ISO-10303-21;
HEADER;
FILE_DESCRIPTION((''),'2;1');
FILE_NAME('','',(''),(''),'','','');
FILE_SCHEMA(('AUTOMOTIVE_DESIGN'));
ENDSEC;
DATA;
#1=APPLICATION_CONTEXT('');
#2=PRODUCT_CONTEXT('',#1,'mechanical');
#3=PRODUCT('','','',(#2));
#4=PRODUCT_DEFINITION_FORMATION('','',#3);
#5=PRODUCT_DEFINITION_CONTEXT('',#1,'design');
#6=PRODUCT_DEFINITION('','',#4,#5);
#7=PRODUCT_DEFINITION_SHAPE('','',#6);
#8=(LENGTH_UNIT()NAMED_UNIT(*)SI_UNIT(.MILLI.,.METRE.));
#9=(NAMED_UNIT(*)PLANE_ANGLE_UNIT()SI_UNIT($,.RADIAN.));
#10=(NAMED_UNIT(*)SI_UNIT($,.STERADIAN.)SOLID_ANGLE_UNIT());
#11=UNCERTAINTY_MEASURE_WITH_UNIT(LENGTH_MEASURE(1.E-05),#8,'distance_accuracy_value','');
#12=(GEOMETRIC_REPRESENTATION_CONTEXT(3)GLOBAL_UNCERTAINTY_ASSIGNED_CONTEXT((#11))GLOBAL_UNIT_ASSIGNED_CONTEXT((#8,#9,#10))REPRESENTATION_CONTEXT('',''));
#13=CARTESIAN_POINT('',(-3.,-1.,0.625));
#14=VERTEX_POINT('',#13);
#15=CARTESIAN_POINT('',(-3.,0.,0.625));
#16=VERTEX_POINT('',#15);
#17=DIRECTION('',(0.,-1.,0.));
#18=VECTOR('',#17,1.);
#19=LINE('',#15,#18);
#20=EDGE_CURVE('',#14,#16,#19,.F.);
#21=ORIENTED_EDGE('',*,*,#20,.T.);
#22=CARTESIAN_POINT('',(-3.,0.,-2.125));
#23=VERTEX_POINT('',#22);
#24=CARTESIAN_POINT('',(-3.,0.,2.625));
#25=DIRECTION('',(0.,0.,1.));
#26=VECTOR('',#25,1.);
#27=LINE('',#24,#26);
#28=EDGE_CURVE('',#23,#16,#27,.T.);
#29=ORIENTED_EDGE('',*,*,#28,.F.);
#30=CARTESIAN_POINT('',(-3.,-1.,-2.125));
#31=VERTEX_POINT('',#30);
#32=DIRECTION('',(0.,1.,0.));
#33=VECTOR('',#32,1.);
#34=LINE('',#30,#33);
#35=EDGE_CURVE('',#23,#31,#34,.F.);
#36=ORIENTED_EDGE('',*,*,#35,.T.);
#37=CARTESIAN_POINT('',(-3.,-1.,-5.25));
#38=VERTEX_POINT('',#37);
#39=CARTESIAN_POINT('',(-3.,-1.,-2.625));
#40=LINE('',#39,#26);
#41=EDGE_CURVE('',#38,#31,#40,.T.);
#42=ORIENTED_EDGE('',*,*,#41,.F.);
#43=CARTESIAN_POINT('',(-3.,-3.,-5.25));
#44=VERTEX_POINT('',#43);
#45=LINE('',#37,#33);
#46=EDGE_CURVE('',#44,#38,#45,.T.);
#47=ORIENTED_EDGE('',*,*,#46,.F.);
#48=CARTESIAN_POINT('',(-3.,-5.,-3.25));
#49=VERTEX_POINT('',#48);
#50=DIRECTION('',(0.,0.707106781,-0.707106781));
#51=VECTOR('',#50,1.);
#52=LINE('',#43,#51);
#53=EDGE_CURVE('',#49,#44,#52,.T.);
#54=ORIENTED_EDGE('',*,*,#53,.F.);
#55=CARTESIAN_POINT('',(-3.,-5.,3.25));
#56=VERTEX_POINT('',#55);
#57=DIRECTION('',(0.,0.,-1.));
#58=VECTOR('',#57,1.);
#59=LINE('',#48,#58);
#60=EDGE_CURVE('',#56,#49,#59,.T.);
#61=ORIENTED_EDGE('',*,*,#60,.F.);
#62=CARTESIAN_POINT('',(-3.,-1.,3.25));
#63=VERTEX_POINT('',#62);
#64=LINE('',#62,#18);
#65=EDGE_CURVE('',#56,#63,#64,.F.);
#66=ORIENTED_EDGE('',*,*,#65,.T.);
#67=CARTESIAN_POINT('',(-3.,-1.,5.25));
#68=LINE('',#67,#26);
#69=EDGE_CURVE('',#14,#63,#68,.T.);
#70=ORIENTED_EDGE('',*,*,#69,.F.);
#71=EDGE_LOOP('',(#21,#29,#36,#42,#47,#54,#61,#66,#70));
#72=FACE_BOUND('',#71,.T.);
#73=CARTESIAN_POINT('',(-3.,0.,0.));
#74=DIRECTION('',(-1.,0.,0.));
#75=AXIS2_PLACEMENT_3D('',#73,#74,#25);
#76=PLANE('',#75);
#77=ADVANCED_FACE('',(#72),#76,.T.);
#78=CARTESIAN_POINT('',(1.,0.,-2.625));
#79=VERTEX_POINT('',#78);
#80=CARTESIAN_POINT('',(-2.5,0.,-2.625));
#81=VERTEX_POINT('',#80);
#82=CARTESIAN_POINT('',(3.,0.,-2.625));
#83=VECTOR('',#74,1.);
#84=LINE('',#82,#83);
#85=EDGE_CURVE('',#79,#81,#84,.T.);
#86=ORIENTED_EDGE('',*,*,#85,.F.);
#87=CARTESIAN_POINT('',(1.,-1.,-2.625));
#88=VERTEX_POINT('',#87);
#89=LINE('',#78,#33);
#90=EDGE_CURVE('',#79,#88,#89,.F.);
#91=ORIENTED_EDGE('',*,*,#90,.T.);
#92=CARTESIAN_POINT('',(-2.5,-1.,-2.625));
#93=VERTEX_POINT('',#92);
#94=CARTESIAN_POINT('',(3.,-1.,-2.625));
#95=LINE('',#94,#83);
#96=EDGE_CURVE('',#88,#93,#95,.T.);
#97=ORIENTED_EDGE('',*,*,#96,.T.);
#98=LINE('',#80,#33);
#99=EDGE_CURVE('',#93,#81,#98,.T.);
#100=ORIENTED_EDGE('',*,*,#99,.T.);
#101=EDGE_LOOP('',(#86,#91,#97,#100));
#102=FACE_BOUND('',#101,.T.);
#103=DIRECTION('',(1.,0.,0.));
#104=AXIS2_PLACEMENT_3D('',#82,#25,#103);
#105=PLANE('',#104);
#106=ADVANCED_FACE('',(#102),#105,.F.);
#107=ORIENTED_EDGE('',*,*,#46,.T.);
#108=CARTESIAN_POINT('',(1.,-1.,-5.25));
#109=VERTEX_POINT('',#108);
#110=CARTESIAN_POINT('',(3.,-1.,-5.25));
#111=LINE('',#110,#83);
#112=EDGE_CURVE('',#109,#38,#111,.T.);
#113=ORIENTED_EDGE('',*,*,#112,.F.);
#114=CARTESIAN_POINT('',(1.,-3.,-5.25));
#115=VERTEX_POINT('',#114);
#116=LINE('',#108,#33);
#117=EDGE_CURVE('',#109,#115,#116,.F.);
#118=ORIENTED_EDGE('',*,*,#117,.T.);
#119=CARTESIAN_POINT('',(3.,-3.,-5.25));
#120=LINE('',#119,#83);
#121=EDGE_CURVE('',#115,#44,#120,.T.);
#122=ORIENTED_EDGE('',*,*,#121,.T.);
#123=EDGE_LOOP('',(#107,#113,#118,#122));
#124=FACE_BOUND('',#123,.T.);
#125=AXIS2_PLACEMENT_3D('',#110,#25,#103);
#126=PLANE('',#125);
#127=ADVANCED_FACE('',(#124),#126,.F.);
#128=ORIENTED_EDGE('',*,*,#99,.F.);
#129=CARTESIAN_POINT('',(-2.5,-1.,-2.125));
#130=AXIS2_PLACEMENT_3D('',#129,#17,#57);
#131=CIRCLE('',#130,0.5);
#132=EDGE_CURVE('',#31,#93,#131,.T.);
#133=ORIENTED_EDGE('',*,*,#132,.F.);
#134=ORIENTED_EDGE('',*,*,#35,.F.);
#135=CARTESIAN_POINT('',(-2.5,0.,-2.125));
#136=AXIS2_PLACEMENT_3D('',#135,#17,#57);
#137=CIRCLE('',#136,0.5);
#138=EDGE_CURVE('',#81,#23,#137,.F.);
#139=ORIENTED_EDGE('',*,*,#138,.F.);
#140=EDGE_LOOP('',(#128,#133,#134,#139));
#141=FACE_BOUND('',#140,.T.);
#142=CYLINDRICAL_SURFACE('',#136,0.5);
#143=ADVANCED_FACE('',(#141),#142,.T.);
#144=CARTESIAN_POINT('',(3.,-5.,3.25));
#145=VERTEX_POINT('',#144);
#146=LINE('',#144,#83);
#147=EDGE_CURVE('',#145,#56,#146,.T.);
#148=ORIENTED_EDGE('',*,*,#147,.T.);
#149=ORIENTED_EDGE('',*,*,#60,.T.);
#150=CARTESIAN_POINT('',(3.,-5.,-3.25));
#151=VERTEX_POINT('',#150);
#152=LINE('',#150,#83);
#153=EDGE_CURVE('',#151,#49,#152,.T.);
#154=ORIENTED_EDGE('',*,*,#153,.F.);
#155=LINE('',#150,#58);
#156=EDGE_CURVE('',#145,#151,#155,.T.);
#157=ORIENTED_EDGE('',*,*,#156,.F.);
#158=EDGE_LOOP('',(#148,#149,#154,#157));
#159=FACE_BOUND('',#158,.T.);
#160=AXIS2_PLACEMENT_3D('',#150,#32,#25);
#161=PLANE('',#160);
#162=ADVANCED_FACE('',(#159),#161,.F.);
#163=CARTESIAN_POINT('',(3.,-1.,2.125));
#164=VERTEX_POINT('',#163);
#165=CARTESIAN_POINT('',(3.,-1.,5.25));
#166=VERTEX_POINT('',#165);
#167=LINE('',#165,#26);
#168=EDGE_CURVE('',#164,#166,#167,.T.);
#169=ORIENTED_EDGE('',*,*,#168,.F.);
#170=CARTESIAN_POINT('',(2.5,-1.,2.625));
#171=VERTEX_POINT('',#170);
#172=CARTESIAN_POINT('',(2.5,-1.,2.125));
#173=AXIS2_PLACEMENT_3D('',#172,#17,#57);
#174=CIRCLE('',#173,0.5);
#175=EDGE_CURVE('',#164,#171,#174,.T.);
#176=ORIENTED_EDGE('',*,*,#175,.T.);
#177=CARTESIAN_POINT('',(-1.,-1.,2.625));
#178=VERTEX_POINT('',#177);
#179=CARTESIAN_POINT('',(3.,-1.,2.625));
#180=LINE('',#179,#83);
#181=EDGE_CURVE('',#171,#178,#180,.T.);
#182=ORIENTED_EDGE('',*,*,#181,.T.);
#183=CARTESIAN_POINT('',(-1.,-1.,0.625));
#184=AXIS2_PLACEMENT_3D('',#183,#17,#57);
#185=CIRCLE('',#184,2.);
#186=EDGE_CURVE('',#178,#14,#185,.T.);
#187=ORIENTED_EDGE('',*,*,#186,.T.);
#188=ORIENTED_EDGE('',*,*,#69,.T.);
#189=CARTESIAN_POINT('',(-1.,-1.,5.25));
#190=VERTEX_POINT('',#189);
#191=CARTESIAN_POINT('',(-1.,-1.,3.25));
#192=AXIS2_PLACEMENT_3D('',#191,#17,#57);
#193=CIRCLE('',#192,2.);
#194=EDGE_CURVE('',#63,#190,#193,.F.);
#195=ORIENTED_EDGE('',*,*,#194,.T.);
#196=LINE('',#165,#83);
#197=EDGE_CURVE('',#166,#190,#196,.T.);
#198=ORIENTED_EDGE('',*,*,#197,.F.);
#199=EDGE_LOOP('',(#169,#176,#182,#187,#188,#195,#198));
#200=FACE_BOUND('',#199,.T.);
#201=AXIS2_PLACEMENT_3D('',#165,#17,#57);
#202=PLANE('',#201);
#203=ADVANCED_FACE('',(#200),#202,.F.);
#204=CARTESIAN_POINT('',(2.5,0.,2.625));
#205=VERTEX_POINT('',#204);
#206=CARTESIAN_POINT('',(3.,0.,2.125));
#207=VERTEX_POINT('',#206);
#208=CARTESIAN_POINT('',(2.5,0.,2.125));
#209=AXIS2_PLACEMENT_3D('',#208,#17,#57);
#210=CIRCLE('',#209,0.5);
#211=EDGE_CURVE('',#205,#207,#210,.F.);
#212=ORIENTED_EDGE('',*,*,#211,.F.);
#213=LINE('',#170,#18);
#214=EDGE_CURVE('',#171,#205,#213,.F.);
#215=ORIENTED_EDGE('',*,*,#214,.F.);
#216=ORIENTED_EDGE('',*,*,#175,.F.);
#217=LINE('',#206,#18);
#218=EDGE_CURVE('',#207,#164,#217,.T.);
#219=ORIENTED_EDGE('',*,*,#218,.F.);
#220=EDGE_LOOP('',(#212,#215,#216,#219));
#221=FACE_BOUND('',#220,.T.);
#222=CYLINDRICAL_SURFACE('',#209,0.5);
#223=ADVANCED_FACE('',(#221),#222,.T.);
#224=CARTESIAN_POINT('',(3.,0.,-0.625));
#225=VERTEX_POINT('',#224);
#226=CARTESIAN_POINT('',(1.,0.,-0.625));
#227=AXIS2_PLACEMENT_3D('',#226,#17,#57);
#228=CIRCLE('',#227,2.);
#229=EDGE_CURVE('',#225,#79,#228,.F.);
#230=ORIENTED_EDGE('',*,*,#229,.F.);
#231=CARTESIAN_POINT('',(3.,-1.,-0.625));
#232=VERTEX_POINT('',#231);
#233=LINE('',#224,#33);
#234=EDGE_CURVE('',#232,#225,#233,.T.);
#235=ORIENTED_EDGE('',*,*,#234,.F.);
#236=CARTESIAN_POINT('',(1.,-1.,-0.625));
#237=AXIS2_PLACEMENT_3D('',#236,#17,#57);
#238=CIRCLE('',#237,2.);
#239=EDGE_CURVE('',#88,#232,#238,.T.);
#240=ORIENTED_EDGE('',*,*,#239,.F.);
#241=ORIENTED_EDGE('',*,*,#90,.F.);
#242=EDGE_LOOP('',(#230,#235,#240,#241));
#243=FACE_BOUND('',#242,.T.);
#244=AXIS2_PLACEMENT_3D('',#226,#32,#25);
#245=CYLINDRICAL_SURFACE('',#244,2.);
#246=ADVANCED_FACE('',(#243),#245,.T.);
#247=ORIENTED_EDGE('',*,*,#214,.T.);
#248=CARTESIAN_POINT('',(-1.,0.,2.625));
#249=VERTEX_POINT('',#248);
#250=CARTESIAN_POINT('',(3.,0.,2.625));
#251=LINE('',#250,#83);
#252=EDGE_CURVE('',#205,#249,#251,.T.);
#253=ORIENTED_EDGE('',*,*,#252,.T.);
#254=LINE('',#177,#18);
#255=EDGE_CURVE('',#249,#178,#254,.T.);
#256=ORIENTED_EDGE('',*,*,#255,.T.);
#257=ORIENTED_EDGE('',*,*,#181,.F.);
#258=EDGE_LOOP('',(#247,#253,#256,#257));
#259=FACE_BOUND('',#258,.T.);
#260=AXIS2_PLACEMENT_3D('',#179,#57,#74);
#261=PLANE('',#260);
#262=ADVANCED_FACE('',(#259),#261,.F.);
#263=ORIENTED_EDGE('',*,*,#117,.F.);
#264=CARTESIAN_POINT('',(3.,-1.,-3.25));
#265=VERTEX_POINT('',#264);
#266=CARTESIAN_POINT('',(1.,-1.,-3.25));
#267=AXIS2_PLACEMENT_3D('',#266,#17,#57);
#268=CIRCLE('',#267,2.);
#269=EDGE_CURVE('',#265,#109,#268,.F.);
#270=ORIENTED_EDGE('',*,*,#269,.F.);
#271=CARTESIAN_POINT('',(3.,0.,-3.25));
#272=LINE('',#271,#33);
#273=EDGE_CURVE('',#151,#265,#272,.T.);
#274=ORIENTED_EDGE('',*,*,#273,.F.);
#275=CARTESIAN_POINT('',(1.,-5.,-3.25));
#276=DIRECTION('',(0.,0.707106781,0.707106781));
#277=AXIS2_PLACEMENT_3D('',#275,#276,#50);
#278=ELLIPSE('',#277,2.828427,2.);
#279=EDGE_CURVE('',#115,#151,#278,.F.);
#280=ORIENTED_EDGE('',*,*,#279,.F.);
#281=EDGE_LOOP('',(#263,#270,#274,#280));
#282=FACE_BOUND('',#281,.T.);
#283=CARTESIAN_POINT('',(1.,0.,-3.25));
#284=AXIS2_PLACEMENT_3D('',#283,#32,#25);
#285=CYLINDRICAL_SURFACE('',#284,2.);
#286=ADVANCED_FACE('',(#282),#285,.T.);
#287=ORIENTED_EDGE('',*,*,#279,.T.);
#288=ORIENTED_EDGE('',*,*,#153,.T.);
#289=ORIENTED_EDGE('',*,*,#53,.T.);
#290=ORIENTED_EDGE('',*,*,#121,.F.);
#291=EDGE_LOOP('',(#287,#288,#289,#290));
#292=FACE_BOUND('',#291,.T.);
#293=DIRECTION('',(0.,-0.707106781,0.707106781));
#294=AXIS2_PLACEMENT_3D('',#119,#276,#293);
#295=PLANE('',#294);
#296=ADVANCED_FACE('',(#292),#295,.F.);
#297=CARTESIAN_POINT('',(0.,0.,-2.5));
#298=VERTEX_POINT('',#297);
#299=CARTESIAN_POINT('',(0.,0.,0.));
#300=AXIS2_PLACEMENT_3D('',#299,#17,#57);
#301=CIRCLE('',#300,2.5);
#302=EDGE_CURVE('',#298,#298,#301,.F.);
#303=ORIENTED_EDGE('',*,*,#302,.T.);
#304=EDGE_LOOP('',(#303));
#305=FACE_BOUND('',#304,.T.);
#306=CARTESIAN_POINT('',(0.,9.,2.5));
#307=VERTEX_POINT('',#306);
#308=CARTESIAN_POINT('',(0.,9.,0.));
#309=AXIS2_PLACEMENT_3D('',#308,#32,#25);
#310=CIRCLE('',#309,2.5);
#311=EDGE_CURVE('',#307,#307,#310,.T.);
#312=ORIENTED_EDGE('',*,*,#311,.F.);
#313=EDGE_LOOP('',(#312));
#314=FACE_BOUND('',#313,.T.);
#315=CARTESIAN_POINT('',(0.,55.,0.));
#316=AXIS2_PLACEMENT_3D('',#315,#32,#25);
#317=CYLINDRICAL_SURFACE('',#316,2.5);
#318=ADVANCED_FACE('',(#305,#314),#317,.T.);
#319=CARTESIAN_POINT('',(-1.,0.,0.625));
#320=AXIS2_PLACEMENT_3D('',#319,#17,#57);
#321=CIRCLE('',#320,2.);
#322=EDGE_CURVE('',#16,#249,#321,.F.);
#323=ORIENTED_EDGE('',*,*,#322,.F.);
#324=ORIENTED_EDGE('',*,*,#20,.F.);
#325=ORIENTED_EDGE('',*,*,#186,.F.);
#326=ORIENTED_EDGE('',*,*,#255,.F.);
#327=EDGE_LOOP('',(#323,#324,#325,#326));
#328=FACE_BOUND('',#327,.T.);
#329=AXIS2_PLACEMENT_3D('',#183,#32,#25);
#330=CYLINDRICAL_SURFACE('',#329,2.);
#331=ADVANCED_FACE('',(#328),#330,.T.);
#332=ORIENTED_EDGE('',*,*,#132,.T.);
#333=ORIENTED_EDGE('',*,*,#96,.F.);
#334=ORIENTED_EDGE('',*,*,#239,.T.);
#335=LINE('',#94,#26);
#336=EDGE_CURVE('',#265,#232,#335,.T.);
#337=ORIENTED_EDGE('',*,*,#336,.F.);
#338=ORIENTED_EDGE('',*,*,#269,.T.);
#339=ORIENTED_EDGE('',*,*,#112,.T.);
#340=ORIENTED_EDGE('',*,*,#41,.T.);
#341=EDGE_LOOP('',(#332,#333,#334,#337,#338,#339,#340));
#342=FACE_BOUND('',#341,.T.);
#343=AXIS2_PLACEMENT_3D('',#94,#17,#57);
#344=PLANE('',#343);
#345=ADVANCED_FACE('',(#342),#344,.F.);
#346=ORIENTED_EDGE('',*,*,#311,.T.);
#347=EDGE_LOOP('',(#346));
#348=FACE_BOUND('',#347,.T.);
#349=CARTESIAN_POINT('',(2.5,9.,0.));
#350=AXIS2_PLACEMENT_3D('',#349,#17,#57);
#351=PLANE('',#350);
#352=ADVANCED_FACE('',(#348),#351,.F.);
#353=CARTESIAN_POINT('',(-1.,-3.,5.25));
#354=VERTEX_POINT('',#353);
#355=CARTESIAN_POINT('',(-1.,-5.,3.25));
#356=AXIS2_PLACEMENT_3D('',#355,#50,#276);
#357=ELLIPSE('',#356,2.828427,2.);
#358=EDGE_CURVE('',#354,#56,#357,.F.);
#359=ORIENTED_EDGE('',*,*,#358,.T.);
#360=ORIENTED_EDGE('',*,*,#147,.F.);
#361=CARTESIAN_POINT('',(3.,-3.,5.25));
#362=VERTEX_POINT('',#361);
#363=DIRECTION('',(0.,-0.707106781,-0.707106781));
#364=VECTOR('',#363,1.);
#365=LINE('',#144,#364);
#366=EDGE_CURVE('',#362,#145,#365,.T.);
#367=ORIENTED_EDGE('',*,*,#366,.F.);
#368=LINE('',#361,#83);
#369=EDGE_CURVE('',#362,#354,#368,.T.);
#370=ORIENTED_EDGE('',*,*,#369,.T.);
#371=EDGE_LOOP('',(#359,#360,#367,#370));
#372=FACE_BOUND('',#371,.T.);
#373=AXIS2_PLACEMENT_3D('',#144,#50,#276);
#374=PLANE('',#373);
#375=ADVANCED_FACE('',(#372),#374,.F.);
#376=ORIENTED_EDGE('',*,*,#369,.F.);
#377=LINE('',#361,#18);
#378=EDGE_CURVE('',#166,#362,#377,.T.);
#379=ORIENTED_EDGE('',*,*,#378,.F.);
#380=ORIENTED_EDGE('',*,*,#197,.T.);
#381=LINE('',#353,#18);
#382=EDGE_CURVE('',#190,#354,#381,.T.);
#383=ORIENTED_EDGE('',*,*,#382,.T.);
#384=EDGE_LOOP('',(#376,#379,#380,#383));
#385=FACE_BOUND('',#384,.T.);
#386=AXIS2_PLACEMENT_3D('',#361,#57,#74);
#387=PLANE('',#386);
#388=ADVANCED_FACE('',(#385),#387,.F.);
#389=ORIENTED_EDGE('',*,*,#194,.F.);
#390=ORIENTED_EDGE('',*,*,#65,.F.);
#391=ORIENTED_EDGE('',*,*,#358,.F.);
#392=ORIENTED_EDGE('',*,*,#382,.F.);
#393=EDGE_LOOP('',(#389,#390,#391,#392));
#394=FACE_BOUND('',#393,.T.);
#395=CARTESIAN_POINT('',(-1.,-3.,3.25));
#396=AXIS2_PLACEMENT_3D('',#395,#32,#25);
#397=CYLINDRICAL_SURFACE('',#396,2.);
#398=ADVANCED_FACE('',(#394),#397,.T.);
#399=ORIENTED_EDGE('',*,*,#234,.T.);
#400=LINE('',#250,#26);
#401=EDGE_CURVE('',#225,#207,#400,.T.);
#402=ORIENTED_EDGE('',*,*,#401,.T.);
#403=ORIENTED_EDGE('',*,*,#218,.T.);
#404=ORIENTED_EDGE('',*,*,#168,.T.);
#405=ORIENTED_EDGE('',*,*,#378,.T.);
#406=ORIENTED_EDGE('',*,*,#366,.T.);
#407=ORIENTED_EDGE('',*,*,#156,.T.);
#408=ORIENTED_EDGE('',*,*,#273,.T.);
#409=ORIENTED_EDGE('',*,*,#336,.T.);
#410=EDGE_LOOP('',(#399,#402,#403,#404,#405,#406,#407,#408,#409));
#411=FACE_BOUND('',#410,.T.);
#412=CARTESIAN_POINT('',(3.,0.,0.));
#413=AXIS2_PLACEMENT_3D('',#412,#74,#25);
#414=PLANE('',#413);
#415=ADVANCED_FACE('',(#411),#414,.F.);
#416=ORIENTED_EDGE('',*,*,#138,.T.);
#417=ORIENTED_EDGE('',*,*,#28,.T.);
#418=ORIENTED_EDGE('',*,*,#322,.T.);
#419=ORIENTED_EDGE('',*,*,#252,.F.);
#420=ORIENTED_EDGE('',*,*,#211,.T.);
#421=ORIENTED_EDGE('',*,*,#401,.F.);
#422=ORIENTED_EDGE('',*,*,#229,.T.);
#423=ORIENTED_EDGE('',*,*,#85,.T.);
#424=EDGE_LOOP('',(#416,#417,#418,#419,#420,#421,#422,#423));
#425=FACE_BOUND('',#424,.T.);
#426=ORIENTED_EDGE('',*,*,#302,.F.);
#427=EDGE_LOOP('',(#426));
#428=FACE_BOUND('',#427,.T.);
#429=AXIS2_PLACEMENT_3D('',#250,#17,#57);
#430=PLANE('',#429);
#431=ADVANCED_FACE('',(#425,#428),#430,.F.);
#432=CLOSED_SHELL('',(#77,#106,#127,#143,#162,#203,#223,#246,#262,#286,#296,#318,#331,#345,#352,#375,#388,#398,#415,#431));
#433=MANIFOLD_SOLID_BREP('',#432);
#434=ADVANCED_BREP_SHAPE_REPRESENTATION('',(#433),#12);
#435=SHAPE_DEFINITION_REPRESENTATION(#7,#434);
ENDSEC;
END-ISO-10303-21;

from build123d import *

# Parameters (mm, degrees)
BOSS_EXTRUDE1_DEPTH = 3
FILLET1_R           = 2
FILLET2_R           = 2
FILLET3_R           = 0.5
SKETCH2_W           = 2.5
SKETCH2_H           = 9


with BuildPart() as part:
    # Sketch1 → Boss-Extrude1 (new body, symmetric)
    with BuildSketch(Plane(origin=(0, 0, 0), x_dir=(0, 0, -1), z_dir=(1, 0, 0))):
        Polygon((-2.625, 0), (2.625, 0), (2.625, -1), (5.25, -1), (5.25, -3), (3.25, -5), (-3.25, -5), (-5.25, -3), (-5.25, -1), (-2.625, -1), align=None)
    extrude(amount=BOSS_EXTRUDE1_DEPTH, both=True)

    # Fillet1
    fillet1_edges = [part.edges().sort_by_distance(p)[0] for p in [
        (3, -2, -5.25),
        (-3, -2, 5.25),
    ]]
    fillet(fillet1_edges, radius=FILLET1_R)

    # Fillet2
    fillet2_edges = [part.edges().sort_by_distance(p)[0] for p in [
        (-3, -0.5, 2.625),
        (3, -0.5, -2.625),
    ]]
    fillet(fillet2_edges, radius=FILLET2_R)

    # Fillet3
    fillet3_edges = [part.edges().sort_by_distance(p)[0] for p in [
        (3, -0.5, 2.625),
        (-3, -0.5, -2.625),
    ]]
    fillet(fillet3_edges, radius=FILLET3_R)

    # Sketch2 → Revolve1 (revolve)
    with BuildSketch(Plane.XY):
        with Locations((1.25, 4.5)):
            Rectangle(SKETCH2_W, SKETCH2_H)
    revolve(axis=Axis((0, 55, 0), (0, -1, 0)))


solid = part.part
